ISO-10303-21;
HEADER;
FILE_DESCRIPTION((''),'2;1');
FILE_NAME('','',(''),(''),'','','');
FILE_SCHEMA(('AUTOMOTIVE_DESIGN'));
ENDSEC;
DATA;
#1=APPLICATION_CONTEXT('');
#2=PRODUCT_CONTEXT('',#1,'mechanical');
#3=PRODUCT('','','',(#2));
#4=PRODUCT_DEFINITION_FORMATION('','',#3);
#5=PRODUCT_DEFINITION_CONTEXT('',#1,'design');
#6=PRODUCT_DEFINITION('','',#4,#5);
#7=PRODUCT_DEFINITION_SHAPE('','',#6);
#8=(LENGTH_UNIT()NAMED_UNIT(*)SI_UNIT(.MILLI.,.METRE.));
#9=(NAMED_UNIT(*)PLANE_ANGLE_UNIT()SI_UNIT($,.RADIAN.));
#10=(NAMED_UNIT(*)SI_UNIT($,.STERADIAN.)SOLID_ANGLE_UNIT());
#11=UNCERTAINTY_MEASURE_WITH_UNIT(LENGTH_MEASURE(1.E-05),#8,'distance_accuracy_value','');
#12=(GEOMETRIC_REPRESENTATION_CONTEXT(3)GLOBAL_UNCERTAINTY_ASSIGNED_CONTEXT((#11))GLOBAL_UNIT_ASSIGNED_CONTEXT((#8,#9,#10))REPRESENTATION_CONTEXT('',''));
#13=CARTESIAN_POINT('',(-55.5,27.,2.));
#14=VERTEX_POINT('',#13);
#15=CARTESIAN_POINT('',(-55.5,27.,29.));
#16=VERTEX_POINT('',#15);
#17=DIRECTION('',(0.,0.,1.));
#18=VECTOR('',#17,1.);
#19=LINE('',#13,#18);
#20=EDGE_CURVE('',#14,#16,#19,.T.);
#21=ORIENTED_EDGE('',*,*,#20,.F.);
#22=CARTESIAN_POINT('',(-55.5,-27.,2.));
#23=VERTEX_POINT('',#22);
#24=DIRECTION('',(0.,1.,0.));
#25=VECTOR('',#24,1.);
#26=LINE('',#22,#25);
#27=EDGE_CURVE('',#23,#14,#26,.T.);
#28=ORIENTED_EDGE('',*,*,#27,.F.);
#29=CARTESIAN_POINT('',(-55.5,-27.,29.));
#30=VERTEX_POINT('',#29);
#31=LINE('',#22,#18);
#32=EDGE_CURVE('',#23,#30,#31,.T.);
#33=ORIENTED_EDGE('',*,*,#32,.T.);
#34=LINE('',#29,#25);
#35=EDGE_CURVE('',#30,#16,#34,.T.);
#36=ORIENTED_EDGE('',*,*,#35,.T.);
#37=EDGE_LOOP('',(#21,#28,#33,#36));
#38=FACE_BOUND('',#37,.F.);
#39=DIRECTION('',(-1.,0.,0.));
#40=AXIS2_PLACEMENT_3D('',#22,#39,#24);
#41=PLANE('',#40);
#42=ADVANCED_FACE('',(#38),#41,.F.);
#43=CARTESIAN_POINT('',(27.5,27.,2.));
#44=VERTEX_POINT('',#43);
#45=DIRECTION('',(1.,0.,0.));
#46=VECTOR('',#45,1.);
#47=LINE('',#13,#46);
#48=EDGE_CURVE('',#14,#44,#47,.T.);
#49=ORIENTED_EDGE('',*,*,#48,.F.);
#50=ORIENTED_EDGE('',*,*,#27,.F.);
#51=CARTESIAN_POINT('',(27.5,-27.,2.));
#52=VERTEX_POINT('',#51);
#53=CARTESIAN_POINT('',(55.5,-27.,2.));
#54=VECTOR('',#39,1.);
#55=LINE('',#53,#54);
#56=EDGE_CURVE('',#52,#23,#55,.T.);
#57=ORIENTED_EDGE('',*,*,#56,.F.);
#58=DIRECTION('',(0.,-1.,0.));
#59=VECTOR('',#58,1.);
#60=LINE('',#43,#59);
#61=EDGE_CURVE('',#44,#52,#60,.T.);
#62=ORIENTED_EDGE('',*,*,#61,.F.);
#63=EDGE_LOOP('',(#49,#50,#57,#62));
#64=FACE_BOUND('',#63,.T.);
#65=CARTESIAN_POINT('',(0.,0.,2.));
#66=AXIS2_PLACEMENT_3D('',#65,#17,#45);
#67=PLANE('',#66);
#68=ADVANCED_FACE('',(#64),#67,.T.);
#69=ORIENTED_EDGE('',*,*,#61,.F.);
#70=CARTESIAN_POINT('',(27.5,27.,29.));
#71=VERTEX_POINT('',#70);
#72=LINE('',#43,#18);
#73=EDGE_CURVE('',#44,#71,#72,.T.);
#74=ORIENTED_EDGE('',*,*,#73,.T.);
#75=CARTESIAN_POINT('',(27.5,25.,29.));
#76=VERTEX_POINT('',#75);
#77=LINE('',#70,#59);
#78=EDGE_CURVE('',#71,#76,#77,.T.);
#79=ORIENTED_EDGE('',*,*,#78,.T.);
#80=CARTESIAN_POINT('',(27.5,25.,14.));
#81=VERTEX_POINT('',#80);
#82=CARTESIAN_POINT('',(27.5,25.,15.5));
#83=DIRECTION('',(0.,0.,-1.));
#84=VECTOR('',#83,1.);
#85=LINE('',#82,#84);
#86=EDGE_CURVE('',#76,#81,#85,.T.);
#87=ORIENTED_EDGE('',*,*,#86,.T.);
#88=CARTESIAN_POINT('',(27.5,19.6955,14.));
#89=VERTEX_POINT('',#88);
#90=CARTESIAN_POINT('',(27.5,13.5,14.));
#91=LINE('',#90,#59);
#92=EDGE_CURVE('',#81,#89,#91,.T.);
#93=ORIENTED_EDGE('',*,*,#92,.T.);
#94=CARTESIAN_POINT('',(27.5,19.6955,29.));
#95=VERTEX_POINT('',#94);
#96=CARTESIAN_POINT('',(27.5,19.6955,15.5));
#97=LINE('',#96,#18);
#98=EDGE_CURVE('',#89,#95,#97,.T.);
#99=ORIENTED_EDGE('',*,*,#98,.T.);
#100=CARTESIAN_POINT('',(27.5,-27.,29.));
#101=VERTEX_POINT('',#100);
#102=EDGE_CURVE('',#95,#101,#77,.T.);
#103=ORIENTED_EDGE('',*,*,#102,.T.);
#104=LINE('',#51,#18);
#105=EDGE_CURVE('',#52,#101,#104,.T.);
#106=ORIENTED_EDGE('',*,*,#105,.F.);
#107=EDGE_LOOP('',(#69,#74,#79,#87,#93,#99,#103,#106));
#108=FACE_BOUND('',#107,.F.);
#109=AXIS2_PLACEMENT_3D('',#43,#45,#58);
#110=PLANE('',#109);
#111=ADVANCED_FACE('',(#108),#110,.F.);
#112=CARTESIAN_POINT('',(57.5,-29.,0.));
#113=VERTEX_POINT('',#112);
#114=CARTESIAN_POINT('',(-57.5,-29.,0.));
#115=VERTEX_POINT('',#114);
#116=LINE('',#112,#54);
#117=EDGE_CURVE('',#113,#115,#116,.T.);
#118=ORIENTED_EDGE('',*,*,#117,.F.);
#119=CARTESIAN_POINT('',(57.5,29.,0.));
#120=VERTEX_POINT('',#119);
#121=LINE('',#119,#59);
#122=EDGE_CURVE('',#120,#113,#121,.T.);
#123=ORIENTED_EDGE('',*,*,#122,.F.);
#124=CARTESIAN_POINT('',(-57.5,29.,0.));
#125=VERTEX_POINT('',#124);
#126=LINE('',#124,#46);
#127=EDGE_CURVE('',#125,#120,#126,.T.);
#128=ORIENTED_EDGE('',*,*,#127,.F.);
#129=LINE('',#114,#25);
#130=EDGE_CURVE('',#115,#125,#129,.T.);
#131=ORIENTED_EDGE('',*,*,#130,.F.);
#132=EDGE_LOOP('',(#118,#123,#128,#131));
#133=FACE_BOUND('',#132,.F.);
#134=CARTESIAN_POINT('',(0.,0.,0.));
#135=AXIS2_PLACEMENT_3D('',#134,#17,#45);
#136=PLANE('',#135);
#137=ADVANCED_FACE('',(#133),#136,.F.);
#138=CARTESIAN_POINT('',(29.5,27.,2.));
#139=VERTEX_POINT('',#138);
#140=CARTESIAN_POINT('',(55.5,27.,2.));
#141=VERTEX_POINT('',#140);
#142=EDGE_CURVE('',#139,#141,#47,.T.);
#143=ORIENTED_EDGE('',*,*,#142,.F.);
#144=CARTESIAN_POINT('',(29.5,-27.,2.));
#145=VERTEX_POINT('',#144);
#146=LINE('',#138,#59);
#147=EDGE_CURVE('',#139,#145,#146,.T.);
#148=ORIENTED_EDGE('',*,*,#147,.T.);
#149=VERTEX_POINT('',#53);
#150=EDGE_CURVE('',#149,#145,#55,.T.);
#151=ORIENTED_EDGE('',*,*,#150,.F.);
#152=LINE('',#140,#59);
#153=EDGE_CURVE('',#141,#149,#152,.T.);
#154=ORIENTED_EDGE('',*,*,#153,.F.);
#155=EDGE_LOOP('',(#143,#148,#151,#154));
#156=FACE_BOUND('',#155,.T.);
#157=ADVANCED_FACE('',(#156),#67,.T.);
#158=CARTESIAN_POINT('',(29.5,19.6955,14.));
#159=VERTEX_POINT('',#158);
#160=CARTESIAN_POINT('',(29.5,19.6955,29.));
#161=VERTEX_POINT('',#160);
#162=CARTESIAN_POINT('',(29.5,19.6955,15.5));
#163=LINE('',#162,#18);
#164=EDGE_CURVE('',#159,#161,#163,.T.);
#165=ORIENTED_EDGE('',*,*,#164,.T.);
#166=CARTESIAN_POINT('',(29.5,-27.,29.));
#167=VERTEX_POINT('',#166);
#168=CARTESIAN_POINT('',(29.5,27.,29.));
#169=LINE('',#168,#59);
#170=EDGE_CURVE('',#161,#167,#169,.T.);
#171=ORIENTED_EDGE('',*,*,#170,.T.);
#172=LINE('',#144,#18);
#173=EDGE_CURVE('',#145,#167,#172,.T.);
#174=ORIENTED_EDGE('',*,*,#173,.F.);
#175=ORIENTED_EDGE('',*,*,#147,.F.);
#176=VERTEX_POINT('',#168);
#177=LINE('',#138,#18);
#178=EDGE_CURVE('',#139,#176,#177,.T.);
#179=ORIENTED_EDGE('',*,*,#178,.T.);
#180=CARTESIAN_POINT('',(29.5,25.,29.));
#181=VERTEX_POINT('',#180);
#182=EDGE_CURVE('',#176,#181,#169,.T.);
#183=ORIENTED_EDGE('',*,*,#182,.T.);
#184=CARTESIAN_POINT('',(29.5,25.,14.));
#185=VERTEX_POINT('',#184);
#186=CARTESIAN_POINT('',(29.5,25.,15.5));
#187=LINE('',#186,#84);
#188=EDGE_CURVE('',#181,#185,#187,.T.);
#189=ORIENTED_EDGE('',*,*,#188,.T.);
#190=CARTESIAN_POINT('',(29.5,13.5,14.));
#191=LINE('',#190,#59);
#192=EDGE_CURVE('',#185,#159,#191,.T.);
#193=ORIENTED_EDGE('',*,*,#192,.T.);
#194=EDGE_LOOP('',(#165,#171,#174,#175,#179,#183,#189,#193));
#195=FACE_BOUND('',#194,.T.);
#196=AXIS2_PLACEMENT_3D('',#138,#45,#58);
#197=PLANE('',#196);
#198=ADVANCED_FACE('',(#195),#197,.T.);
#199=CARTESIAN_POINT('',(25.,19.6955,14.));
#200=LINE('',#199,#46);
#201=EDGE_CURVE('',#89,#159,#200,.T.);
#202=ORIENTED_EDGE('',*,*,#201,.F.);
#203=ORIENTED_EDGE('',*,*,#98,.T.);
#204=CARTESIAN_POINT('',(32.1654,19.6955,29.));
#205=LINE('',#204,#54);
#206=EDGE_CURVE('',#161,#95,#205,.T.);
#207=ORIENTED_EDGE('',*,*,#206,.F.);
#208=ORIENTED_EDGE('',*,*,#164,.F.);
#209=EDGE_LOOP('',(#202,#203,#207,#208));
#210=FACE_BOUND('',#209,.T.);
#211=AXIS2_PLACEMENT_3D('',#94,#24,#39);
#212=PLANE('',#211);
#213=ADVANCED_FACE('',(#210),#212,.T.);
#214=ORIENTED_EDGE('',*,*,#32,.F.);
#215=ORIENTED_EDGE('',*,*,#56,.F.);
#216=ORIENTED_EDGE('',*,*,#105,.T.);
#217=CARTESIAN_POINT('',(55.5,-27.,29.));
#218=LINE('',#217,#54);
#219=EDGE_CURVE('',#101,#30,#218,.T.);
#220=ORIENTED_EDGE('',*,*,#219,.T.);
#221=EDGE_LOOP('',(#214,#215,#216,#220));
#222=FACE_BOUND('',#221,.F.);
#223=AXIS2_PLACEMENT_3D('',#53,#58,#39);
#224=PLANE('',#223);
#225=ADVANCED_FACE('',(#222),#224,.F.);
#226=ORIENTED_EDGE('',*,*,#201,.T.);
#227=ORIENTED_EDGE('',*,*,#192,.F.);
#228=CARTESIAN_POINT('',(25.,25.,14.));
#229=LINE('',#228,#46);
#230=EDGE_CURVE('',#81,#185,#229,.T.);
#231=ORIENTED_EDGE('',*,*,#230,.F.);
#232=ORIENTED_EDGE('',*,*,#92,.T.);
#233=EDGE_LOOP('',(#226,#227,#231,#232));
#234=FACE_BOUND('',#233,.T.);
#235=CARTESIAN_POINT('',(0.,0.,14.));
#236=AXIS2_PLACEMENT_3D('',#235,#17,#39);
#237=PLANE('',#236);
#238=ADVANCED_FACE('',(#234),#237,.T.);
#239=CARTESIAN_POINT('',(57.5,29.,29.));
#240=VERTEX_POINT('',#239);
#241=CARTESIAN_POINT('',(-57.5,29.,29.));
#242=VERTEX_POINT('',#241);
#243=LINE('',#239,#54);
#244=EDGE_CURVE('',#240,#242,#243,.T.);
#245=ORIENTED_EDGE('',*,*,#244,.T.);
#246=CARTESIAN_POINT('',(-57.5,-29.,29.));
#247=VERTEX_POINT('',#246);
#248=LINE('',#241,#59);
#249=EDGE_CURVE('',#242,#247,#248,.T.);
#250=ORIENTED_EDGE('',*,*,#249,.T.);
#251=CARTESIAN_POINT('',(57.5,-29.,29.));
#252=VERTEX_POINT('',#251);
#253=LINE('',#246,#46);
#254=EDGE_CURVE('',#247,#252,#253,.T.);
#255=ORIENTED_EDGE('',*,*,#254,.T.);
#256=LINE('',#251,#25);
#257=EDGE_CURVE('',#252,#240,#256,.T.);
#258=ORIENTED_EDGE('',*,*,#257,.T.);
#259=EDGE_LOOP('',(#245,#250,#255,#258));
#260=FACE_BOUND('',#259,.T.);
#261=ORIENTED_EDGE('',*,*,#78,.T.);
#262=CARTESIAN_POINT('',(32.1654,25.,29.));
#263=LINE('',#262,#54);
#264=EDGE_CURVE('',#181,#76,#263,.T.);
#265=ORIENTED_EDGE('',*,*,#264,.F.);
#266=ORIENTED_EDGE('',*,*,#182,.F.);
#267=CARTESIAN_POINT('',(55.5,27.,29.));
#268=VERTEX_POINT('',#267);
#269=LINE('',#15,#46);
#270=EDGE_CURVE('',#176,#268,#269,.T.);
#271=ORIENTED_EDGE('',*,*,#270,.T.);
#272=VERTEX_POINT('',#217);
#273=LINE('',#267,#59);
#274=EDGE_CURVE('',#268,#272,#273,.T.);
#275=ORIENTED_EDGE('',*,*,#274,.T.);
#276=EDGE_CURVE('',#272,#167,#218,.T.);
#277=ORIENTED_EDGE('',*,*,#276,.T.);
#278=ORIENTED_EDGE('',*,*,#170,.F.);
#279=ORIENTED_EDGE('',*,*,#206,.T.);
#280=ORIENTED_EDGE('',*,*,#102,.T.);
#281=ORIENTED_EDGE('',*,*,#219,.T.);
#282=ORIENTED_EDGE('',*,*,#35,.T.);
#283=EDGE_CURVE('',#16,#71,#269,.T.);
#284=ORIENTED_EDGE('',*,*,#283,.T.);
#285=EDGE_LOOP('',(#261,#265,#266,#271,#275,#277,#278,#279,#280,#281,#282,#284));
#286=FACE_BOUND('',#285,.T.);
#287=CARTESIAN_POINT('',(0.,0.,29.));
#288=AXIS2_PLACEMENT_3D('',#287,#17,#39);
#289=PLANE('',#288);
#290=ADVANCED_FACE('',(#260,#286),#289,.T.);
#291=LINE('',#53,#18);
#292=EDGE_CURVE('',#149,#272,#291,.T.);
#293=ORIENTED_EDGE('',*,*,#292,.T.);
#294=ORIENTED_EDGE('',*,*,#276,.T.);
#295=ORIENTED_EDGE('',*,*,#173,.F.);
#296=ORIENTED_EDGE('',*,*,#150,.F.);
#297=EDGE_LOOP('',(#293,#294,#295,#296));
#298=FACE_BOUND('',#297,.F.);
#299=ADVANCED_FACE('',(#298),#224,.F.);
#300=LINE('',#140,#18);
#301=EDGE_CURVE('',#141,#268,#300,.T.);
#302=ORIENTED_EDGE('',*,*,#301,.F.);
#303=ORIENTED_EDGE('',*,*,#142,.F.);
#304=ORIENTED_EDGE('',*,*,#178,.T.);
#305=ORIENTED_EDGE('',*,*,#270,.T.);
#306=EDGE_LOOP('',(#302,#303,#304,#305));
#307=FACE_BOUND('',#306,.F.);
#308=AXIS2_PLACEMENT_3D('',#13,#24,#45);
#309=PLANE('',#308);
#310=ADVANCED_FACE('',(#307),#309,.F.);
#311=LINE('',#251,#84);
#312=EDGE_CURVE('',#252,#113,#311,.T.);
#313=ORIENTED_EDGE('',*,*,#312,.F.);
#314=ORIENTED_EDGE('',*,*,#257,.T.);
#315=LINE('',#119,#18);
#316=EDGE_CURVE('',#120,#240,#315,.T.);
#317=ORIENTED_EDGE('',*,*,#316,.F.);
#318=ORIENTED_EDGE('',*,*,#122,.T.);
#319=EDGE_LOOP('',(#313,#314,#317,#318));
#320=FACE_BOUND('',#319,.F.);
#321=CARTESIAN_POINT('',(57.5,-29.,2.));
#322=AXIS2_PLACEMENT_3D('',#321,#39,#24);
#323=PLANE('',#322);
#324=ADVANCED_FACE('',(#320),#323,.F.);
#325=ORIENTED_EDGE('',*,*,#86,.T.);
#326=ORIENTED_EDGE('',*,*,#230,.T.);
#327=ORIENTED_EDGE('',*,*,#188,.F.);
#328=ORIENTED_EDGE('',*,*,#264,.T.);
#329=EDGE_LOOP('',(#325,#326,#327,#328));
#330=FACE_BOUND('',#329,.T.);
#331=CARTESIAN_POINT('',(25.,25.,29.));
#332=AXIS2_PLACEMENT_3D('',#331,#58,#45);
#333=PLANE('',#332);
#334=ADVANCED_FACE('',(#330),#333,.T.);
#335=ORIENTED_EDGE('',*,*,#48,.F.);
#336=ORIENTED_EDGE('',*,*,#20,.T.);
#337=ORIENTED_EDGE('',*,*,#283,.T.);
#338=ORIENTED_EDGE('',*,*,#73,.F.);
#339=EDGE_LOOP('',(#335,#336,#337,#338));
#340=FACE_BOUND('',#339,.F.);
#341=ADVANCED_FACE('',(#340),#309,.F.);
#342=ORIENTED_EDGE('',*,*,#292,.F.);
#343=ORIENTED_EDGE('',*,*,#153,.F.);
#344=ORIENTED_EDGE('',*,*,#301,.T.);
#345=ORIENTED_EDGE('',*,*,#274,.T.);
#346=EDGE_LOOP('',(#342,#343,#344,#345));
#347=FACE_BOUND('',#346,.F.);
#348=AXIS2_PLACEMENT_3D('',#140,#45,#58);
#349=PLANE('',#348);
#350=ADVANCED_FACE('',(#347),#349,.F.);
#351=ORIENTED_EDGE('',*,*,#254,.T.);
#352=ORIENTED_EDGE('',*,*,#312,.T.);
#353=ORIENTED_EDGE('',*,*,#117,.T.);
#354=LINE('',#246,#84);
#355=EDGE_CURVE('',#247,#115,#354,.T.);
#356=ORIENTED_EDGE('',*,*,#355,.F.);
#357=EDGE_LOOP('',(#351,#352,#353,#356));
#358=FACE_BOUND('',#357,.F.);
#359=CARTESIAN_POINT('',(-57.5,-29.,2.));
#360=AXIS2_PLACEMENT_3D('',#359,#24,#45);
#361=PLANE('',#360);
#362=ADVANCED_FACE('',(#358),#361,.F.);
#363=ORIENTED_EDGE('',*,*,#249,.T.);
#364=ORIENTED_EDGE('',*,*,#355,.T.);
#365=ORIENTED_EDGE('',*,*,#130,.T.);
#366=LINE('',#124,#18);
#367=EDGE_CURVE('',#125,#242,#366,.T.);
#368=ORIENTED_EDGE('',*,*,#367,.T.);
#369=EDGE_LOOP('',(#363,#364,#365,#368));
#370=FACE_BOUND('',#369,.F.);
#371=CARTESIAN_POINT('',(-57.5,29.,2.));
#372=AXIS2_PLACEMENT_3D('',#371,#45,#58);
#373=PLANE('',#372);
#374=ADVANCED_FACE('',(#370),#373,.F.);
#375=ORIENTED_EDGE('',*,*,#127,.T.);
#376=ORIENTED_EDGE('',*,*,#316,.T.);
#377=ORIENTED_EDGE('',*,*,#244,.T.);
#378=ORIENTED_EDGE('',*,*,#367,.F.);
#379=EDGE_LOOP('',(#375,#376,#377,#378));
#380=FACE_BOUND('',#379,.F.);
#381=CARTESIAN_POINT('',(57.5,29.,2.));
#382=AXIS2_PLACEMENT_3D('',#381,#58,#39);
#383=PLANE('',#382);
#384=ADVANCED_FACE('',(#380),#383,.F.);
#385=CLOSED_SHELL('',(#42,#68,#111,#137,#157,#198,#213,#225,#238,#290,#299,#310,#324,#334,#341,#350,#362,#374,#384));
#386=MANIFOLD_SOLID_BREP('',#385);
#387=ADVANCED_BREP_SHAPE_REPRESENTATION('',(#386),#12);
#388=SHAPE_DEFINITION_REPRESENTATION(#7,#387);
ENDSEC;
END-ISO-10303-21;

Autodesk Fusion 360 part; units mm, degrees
sketch "Sketch1" plane through (0, 0, 0) normal (0, 0, 1) x (1, 0, 0)
  line L0 (57.5, -29) -> (-57.5, -29)
  line L1 (-57.5, -29) -> (-57.5, 29)
  line L2 (-57.5, 29) -> (57.5, 29)
  line L3 (57.5, 29) -> (57.5, -29)
  line L4 (57.5, -29) -> (-57.5, 29) construction
  line L5 (-57.5, -29) -> (57.5, 29) construction
  line L6 (55.5, -27) -> (-55.5, -27)
  line L7 (-55.5, -27) -> (-55.5, 27)
  line L8 (-55.5, 27) -> (55.5, 27)
  line L9 (55.5, 27) -> (55.5, -27)
  line L10 (55.5, -27) -> (-55.5, 27) construction
  line L11 (-55.5, -27) -> (55.5, 27) construction
extrude "Extrude1" add sketch "Sketch1" along normal blind 2 contours L0 L1 L2 L3 | L6 L7 L8 L9
sketch "Sketch2" plane through (0, 0, 2) normal (0, 0, 1) x (-1, 0, 0)
  line L0 (-57.5, -29) -> (57.5, -29)
  line L1 (57.5, -29) -> (57.5, 29)
  line L2 (57.5, 29) -> (-57.5, 29)
  line L3 (-57.5, 29) -> (-57.5, -29)
  line L4 (-57.5, 29) -> (57.5, 29)
  line L5 (57.5, 29) -> (57.5, -29)
  line L6 (57.5, -29) -> (-57.5, -29)
  line L7 (-57.5, -29) -> (-57.5, 29)
  line L8 (-57.5, 29) -> (57.5, -29) construction
  line L9 (57.5, 29) -> (-57.5, -29) construction
  line L10 (-55.5, 27) -> (55.5, 27)
  line L11 (55.5, 27) -> (55.5, -27)
  line L12 (55.5, -27) -> (-55.5, -27)
  line L13 (-55.5, -27) -> (-55.5, 27)
  line L14 (-55.5, 27) -> (55.5, -27) construction
  line L15 (55.5, 27) -> (-55.5, -27) construction
extrude "Extrude2" add sketch "Sketch2" along normal blind 27
sketch "Sketch3" plane through (0, 0, 2) normal (0, 0, 1) x (-1, 0, 0)
  line L0 (55.5, -27) -> (55.5, 27)
  line L1 (55.5, 27) -> (-55.5, 27)
  line L2 (-55.5, 27) -> (-55.5, -27)
  line L3 (-55.5, -27) -> (55.5, -27)
  line L4 (-55.5, -27) -> (-29.5, -27)
  line L5 (-29.5, -27) -> (-29.5, 27)
  line L6 (-29.5, 27) -> (-55.5, 27)
  line L7 (-55.5, 27) -> (-55.5, -27)
  line L8 (-29.5, -27) -> (-27.5, -27)
  line L9 (-27.5, -27) -> (-27.5, 27)
  line L10 (-27.5, 27) -> (-29.5, 27)
  line L11 (-29.5, 27) -> (-29.5, -27)
extrude "Extrude3" add sketch "Sketch3" along normal blind 27 contours L1 L3 L5 L8 L9 L10 L11
sketch "Sketch4" plane through (0, 0, 29) normal (0, 0, 1) x (-1, 0, 0)
  line L0 (-27.5, 27) -> (55.5, 27)
  line L1 (55.5, 27) -> (55.5, -27)
  line L2 (55.5, -27) -> (-27.5, -27)
  line L3 (-27.5, -27) -> (-27.5, 27)
  line L4 (-29.5, 27) -> (-29.5, -27)
  line L5 (-29.5, -27) -> (-55.5, -27)
  line L6 (-55.5, -27) -> (-55.5, 27)
  line L7 (-55.5, 27) -> (-29.5, 27)
  line L8 (-57.5, -29) -> (57.5, -29)
  line L9 (57.5, -29) -> (57.5, 29)
  line L10 (57.5, 29) -> (-57.5, 29)
  line L11 (-57.5, 29) -> (-57.5, -29)
  line L12 (-25, -25) -> (-32.1654, -25)
  line L13 (-32.1654, -25) -> (-32.1654, -19.6955)
  line L14 (-32.1654, -19.6955) -> (-25, -19.6955)
  line L15 (-25, -19.6955) -> (-25, -25)
extrude "Extrude4" cut sketch "Sketch4" against normal blind 15 contours L3 L12 L14 L15 | L3 L4 L12 L14 | L4 L12 L13 L14
